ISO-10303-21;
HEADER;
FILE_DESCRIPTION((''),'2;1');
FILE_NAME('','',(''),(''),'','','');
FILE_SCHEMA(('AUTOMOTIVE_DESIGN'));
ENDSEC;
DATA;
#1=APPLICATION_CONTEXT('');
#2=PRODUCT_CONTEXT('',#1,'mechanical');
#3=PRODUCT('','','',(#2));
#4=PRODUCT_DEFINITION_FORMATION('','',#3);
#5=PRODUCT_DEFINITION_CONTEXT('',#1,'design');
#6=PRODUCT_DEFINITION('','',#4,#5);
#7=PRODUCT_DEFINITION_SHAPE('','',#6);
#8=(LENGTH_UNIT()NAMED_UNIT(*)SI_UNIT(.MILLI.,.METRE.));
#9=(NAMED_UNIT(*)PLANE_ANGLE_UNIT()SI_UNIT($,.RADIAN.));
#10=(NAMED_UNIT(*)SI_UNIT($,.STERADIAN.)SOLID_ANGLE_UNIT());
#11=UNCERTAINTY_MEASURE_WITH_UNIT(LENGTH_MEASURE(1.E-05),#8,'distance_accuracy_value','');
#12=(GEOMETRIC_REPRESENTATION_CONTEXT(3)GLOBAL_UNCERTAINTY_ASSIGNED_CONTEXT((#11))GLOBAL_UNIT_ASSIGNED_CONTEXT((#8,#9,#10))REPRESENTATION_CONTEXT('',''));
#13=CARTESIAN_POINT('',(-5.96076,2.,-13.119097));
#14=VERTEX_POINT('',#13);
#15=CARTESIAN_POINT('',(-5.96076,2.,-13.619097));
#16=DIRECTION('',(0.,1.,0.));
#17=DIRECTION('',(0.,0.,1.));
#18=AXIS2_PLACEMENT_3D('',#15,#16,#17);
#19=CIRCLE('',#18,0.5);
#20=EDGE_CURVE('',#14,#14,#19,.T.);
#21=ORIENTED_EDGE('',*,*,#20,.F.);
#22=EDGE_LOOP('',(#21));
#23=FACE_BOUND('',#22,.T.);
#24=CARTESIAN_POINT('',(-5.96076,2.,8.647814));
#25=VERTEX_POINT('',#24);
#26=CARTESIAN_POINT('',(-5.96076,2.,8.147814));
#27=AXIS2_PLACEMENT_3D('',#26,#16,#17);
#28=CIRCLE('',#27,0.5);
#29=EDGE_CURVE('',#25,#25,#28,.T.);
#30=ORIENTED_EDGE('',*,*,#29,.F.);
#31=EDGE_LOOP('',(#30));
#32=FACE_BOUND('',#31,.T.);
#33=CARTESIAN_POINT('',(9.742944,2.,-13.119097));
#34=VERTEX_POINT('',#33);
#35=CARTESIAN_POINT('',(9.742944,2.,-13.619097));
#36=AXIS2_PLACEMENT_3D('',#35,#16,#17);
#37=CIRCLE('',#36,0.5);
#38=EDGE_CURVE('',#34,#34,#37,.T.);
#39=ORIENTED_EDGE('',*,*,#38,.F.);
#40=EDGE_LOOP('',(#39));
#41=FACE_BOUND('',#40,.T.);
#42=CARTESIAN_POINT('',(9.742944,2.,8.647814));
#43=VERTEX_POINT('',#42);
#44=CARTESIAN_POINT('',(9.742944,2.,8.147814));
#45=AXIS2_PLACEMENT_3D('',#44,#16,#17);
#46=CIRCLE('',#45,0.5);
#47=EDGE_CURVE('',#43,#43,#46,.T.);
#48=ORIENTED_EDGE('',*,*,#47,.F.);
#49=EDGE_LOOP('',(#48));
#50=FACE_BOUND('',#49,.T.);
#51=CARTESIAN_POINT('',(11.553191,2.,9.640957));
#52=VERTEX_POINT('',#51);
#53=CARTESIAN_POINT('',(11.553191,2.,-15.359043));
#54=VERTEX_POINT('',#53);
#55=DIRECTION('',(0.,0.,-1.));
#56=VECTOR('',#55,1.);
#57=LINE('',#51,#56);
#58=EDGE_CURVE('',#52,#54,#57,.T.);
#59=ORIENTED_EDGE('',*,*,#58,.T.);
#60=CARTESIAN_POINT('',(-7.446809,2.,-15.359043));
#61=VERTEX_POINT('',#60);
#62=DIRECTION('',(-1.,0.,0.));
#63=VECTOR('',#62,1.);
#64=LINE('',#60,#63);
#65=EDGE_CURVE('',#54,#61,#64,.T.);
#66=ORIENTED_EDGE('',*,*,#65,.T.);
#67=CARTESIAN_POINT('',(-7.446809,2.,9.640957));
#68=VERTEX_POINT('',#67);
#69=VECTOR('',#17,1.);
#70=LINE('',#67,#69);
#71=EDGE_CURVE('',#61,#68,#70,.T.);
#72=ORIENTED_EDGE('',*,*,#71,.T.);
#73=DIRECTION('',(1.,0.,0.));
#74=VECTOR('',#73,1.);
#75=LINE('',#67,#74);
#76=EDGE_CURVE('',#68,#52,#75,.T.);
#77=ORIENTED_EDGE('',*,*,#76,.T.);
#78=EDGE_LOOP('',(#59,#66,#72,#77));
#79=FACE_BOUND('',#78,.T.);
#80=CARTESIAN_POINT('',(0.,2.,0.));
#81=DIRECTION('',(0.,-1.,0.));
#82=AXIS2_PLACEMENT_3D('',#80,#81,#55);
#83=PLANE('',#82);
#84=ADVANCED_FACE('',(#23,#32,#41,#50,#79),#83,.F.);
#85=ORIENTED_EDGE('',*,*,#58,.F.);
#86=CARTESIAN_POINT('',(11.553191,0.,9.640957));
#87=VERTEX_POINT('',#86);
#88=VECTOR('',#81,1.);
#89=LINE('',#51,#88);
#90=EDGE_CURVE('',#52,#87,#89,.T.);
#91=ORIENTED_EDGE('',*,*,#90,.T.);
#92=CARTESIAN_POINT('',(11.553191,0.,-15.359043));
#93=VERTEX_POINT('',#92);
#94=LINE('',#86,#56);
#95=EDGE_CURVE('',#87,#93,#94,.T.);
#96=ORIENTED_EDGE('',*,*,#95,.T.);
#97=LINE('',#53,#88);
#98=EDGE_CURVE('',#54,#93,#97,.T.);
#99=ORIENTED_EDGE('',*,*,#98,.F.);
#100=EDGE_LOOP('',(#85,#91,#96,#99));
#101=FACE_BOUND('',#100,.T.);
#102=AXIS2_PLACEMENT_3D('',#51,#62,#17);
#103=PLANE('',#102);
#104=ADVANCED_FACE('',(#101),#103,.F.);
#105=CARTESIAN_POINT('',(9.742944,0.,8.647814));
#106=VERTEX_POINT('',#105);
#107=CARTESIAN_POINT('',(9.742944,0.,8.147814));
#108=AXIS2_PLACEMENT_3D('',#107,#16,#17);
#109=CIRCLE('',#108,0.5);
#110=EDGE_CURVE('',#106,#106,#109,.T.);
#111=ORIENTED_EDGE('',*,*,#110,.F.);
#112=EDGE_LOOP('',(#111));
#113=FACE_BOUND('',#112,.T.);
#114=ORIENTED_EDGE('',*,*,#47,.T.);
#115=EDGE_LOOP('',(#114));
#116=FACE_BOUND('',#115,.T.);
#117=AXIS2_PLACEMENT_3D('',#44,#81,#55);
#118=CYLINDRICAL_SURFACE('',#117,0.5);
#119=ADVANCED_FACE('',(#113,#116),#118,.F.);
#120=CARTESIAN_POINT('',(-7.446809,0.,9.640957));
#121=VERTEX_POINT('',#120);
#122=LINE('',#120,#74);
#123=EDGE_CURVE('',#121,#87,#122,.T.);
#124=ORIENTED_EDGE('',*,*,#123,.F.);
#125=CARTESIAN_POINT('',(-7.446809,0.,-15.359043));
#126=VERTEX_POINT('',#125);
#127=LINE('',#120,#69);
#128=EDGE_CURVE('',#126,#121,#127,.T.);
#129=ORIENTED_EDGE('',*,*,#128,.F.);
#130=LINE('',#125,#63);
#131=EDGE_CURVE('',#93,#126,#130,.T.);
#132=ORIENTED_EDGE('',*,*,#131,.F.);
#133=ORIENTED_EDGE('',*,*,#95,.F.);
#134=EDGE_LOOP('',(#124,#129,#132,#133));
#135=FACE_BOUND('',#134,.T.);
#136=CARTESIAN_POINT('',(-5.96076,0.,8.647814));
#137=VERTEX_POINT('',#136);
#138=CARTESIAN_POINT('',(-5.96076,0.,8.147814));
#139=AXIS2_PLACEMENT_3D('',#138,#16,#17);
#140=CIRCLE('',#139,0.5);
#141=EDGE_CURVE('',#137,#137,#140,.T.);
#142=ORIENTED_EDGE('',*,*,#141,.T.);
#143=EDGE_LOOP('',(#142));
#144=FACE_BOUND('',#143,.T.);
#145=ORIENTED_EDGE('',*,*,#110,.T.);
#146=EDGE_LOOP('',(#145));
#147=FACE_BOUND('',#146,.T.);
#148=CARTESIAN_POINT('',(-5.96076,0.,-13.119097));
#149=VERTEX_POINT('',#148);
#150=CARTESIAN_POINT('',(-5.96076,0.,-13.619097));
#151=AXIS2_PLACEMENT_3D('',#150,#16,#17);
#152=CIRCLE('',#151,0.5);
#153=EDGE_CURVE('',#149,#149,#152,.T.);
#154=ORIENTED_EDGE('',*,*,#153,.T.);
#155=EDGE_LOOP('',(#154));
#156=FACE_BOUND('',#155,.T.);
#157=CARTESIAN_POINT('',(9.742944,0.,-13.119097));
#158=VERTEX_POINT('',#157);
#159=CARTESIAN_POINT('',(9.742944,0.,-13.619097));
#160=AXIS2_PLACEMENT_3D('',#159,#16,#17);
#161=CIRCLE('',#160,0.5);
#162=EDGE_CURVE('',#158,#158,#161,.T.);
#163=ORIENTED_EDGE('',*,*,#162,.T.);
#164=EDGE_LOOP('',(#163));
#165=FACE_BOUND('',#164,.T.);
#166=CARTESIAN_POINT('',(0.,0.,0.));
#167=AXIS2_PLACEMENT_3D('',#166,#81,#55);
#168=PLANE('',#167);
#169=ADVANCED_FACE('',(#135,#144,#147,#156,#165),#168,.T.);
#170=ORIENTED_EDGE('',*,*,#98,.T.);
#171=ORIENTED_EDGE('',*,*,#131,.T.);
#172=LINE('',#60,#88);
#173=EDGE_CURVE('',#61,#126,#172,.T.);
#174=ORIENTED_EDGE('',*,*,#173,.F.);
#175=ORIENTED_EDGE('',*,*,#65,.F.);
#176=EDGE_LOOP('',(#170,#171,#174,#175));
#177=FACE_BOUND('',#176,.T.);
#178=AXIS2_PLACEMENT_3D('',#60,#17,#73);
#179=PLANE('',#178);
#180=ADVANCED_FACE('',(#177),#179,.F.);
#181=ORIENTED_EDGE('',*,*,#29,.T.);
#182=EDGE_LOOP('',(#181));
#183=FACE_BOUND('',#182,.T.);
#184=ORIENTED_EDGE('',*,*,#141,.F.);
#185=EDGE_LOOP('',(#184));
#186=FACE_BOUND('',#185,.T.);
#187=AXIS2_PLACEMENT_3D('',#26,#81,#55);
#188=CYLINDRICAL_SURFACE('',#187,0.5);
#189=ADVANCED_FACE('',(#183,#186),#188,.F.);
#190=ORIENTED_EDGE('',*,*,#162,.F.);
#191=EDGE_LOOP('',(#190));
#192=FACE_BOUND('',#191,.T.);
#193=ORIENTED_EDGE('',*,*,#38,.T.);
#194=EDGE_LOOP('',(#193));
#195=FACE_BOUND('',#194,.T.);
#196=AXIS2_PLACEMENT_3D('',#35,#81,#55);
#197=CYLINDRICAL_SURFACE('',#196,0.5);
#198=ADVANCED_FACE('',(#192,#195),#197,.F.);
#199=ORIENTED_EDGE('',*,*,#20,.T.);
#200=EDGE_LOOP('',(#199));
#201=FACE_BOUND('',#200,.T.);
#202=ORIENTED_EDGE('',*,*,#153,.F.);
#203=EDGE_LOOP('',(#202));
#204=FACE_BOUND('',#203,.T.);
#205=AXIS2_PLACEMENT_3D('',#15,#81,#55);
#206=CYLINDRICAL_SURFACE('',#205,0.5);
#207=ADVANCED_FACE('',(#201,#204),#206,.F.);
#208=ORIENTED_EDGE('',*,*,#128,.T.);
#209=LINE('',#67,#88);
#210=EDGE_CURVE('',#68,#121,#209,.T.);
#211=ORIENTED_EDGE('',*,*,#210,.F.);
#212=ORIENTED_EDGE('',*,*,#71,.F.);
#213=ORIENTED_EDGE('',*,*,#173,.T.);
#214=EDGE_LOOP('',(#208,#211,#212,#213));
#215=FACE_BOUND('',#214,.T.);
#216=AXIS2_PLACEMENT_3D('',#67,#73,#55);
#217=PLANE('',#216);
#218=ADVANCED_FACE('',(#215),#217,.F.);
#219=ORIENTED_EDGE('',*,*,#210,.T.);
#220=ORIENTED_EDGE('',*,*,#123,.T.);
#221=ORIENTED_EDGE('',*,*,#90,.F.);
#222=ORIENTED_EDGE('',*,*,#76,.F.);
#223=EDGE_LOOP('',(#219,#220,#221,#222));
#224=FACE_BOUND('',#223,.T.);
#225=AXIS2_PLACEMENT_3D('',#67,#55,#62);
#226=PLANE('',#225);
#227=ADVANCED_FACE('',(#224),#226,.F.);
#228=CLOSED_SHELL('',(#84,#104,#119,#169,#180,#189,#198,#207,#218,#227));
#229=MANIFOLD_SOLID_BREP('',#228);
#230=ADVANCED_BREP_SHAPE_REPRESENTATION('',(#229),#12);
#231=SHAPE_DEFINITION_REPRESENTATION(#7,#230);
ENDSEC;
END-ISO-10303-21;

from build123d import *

# Parameters (mm, degrees)
IZIM1_W                     = 19
IZIM1_H                     = 25
IZIM1_R                     = 0.5
Y_KSEKLIK_EKSTR_ZYON1_DEPTH = 2


with BuildPart() as part:
    # Çizim1 → Yükseklik-Ekstrüzyon1 (new body)
    with BuildSketch(Plane(origin=(0, 0, 0), x_dir=(1, 0, 0), z_dir=(0, 1, 0))):
        with Locations((2.053191489, 2.859042553)):
            Rectangle(IZIM1_W, IZIM1_H)
        with Locations((-5.960760417, 13.619097396)):
            Circle(IZIM1_R, mode=Mode.SUBTRACT)
        with Locations((9.742944474, 13.619097396)):
            Circle(IZIM1_R, mode=Mode.SUBTRACT)
        with Locations((-5.960760417, -8.147814016)):
            Circle(IZIM1_R, mode=Mode.SUBTRACT)
        with Locations((9.742944474, -8.147814016)):
            Circle(IZIM1_R, mode=Mode.SUBTRACT)
    extrude(amount=Y_KSEKLIK_EKSTR_ZYON1_DEPTH)


solid = part.part
